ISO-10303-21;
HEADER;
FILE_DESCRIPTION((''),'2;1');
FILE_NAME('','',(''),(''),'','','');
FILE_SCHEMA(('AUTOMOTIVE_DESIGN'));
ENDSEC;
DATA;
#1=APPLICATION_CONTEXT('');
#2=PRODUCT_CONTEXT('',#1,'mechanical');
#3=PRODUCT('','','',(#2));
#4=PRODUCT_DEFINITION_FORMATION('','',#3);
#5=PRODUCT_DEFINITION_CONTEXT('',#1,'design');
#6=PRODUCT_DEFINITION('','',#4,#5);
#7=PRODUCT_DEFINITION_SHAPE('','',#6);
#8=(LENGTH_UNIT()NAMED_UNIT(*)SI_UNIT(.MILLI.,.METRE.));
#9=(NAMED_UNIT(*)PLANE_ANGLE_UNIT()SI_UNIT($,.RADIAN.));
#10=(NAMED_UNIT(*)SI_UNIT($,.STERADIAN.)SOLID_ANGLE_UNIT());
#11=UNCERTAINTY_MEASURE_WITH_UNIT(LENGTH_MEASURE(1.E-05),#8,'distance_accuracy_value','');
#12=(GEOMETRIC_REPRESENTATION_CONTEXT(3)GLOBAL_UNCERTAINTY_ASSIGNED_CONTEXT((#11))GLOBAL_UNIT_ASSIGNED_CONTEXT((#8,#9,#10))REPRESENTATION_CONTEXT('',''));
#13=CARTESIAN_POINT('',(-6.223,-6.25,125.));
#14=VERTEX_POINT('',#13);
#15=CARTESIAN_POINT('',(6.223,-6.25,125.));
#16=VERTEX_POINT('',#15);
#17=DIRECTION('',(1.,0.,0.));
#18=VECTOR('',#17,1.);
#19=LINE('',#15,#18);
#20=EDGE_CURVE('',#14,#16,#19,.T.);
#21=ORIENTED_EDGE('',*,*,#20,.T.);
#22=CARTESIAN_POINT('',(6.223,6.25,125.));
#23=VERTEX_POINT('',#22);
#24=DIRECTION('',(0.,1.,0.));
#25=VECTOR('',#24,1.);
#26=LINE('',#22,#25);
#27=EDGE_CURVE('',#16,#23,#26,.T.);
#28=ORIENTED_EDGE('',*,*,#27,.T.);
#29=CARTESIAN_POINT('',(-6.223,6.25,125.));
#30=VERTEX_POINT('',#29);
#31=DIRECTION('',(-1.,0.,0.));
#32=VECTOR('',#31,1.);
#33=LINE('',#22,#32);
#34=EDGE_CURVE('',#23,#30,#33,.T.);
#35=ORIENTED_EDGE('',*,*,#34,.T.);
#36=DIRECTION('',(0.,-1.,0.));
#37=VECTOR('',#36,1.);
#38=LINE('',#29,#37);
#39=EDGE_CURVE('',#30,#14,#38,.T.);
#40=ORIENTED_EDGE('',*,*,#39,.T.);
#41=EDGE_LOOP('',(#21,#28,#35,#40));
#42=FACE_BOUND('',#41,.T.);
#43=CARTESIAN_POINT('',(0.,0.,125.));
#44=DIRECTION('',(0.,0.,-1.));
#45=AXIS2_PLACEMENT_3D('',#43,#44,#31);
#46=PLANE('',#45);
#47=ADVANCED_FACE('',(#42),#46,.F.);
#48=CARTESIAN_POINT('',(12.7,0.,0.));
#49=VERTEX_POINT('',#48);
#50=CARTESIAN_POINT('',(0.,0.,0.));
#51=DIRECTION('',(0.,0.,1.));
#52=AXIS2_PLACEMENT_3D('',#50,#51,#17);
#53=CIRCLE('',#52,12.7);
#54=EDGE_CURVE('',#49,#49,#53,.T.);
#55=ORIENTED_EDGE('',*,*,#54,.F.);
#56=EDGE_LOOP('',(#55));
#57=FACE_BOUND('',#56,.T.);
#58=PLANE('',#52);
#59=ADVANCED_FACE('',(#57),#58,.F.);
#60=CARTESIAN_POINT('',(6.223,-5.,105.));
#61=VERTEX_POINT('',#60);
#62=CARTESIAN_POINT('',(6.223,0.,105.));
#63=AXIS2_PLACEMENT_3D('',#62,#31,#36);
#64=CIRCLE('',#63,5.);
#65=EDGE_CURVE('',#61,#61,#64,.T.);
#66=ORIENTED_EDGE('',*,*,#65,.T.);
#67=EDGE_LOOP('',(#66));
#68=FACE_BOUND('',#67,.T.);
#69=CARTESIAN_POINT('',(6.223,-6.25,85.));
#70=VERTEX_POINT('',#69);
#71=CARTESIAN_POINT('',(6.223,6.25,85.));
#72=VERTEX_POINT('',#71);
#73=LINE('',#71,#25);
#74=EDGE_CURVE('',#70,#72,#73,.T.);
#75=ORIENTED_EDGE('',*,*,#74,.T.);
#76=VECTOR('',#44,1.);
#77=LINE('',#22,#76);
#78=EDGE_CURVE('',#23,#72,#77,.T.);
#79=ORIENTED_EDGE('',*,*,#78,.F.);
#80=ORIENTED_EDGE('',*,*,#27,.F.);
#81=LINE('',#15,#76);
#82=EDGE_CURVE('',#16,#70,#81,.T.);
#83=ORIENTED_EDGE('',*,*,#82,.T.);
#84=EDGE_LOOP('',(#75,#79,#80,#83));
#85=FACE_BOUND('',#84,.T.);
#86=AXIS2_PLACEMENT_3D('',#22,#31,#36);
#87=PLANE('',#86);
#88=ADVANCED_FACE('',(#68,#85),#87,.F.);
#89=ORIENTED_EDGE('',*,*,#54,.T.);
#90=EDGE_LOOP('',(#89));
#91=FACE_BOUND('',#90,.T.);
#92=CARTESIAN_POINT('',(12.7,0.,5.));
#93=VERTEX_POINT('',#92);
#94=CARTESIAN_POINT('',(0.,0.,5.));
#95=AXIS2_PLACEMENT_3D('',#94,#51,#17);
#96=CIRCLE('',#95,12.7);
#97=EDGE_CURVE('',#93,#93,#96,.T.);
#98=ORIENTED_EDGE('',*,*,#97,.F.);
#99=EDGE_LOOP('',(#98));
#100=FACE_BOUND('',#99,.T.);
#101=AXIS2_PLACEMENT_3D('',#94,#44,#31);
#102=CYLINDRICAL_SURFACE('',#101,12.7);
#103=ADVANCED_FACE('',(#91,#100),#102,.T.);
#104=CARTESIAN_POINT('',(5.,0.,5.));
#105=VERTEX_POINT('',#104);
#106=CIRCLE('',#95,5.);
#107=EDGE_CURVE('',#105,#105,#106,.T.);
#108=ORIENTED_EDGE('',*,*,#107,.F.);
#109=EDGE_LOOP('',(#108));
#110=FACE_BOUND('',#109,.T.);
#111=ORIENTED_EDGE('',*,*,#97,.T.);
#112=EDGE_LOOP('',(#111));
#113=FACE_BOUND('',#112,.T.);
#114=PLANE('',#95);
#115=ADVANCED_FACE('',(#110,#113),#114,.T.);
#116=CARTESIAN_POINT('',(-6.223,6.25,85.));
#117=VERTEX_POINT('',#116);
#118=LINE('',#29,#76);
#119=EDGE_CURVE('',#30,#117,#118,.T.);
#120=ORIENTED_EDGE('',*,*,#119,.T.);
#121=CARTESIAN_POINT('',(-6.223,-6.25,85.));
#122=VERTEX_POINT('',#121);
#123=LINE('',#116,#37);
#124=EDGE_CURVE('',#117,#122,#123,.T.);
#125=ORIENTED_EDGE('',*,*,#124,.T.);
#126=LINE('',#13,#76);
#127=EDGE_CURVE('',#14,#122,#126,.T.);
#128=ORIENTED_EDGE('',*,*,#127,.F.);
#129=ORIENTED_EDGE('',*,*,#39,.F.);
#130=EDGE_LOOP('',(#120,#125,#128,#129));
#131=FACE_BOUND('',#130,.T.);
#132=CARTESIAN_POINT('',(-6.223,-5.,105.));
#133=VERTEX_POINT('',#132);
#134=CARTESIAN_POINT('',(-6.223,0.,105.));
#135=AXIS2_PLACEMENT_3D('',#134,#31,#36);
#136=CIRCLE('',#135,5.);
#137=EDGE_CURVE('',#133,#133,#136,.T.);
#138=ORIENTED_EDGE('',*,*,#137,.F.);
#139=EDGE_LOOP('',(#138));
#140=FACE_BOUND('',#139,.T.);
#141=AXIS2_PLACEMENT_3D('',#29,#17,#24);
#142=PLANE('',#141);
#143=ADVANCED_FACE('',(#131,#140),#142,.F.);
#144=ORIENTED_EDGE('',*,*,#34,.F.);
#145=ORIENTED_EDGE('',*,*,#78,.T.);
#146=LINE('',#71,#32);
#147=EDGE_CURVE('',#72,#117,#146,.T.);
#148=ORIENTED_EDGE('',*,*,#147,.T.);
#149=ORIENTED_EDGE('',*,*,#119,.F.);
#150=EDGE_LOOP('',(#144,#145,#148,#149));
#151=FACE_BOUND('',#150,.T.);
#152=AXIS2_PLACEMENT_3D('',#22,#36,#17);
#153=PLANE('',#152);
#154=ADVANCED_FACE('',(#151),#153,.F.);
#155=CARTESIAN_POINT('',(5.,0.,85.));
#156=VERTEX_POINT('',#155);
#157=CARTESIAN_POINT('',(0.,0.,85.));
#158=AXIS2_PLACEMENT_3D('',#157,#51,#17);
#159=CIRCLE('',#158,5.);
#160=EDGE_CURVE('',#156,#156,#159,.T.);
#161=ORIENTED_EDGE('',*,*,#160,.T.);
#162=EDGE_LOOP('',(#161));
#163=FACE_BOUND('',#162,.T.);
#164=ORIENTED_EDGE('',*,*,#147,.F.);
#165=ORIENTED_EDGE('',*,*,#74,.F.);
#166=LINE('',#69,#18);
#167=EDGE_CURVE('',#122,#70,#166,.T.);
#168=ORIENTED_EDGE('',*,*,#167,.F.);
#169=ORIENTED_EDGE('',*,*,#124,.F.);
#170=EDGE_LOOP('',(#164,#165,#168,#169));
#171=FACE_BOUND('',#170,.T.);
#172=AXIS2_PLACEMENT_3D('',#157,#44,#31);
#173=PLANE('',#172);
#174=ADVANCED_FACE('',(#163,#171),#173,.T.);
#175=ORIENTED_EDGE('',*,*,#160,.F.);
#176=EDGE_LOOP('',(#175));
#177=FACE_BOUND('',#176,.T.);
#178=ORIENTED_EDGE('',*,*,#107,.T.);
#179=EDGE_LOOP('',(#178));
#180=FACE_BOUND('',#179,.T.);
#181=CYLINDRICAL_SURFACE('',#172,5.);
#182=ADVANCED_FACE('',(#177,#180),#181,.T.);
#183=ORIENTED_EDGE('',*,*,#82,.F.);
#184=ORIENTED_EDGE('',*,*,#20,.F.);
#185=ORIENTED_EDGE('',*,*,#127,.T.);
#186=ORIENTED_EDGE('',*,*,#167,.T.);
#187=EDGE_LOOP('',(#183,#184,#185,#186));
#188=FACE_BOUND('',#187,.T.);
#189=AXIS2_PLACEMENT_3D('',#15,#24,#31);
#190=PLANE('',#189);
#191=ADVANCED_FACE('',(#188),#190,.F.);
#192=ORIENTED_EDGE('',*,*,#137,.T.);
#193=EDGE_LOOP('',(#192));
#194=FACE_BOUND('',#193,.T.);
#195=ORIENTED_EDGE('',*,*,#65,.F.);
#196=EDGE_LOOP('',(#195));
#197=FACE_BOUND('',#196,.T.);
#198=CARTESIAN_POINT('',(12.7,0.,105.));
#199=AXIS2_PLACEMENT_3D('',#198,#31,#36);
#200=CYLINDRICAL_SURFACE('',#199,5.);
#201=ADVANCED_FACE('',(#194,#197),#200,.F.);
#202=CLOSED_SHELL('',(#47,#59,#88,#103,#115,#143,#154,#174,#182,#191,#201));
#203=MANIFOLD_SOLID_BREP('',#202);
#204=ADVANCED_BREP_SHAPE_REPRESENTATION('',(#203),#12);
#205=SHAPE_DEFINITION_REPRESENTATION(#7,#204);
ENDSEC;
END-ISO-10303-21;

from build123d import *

# Parameters (mm, degrees)
SKETCH1_R           = 12.7
BOSS_EXTRUDE1_DEPTH = 5
SKETCH2_R           = 5
BOSS_EXTRUDE3_DEPTH = 80
SKETCH3_W           = 12.446
SKETCH3_H           = 12.5
BOSS_EXTRUDE4_DEPTH = 40
SKETCH4_R           = 5
CUT_EXTRUDE1_DEPTH  = 128.060497122


with BuildPart() as part:
    # Sketch1 → Boss-Extrude1 (new body)
    with BuildSketch(Plane.XY):
        Circle(SKETCH1_R)
    extrude(amount=BOSS_EXTRUDE1_DEPTH)

    # Sketch2 → Boss-Extrude3 (add)
    with BuildSketch(Plane.XY.offset(5)):
        Circle(SKETCH2_R)
    extrude(amount=BOSS_EXTRUDE3_DEPTH)

    # Sketch3 → Boss-Extrude4 (add)
    with BuildSketch(Plane.XY.offset(85)):
        Rectangle(SKETCH3_W, SKETCH3_H)
    extrude(amount=BOSS_EXTRUDE4_DEPTH)

    # Sketch4 → Cut-Extrude1 (cut, through all)
    with BuildSketch(Plane.ZY.offset(6.223)):
        with Locations(Location((105, 0, 0), (0, 0, 270))):
            Circle(SKETCH4_R)
    extrude(amount=-CUT_EXTRUDE1_DEPTH, mode=Mode.SUBTRACT)


solid = part.part
